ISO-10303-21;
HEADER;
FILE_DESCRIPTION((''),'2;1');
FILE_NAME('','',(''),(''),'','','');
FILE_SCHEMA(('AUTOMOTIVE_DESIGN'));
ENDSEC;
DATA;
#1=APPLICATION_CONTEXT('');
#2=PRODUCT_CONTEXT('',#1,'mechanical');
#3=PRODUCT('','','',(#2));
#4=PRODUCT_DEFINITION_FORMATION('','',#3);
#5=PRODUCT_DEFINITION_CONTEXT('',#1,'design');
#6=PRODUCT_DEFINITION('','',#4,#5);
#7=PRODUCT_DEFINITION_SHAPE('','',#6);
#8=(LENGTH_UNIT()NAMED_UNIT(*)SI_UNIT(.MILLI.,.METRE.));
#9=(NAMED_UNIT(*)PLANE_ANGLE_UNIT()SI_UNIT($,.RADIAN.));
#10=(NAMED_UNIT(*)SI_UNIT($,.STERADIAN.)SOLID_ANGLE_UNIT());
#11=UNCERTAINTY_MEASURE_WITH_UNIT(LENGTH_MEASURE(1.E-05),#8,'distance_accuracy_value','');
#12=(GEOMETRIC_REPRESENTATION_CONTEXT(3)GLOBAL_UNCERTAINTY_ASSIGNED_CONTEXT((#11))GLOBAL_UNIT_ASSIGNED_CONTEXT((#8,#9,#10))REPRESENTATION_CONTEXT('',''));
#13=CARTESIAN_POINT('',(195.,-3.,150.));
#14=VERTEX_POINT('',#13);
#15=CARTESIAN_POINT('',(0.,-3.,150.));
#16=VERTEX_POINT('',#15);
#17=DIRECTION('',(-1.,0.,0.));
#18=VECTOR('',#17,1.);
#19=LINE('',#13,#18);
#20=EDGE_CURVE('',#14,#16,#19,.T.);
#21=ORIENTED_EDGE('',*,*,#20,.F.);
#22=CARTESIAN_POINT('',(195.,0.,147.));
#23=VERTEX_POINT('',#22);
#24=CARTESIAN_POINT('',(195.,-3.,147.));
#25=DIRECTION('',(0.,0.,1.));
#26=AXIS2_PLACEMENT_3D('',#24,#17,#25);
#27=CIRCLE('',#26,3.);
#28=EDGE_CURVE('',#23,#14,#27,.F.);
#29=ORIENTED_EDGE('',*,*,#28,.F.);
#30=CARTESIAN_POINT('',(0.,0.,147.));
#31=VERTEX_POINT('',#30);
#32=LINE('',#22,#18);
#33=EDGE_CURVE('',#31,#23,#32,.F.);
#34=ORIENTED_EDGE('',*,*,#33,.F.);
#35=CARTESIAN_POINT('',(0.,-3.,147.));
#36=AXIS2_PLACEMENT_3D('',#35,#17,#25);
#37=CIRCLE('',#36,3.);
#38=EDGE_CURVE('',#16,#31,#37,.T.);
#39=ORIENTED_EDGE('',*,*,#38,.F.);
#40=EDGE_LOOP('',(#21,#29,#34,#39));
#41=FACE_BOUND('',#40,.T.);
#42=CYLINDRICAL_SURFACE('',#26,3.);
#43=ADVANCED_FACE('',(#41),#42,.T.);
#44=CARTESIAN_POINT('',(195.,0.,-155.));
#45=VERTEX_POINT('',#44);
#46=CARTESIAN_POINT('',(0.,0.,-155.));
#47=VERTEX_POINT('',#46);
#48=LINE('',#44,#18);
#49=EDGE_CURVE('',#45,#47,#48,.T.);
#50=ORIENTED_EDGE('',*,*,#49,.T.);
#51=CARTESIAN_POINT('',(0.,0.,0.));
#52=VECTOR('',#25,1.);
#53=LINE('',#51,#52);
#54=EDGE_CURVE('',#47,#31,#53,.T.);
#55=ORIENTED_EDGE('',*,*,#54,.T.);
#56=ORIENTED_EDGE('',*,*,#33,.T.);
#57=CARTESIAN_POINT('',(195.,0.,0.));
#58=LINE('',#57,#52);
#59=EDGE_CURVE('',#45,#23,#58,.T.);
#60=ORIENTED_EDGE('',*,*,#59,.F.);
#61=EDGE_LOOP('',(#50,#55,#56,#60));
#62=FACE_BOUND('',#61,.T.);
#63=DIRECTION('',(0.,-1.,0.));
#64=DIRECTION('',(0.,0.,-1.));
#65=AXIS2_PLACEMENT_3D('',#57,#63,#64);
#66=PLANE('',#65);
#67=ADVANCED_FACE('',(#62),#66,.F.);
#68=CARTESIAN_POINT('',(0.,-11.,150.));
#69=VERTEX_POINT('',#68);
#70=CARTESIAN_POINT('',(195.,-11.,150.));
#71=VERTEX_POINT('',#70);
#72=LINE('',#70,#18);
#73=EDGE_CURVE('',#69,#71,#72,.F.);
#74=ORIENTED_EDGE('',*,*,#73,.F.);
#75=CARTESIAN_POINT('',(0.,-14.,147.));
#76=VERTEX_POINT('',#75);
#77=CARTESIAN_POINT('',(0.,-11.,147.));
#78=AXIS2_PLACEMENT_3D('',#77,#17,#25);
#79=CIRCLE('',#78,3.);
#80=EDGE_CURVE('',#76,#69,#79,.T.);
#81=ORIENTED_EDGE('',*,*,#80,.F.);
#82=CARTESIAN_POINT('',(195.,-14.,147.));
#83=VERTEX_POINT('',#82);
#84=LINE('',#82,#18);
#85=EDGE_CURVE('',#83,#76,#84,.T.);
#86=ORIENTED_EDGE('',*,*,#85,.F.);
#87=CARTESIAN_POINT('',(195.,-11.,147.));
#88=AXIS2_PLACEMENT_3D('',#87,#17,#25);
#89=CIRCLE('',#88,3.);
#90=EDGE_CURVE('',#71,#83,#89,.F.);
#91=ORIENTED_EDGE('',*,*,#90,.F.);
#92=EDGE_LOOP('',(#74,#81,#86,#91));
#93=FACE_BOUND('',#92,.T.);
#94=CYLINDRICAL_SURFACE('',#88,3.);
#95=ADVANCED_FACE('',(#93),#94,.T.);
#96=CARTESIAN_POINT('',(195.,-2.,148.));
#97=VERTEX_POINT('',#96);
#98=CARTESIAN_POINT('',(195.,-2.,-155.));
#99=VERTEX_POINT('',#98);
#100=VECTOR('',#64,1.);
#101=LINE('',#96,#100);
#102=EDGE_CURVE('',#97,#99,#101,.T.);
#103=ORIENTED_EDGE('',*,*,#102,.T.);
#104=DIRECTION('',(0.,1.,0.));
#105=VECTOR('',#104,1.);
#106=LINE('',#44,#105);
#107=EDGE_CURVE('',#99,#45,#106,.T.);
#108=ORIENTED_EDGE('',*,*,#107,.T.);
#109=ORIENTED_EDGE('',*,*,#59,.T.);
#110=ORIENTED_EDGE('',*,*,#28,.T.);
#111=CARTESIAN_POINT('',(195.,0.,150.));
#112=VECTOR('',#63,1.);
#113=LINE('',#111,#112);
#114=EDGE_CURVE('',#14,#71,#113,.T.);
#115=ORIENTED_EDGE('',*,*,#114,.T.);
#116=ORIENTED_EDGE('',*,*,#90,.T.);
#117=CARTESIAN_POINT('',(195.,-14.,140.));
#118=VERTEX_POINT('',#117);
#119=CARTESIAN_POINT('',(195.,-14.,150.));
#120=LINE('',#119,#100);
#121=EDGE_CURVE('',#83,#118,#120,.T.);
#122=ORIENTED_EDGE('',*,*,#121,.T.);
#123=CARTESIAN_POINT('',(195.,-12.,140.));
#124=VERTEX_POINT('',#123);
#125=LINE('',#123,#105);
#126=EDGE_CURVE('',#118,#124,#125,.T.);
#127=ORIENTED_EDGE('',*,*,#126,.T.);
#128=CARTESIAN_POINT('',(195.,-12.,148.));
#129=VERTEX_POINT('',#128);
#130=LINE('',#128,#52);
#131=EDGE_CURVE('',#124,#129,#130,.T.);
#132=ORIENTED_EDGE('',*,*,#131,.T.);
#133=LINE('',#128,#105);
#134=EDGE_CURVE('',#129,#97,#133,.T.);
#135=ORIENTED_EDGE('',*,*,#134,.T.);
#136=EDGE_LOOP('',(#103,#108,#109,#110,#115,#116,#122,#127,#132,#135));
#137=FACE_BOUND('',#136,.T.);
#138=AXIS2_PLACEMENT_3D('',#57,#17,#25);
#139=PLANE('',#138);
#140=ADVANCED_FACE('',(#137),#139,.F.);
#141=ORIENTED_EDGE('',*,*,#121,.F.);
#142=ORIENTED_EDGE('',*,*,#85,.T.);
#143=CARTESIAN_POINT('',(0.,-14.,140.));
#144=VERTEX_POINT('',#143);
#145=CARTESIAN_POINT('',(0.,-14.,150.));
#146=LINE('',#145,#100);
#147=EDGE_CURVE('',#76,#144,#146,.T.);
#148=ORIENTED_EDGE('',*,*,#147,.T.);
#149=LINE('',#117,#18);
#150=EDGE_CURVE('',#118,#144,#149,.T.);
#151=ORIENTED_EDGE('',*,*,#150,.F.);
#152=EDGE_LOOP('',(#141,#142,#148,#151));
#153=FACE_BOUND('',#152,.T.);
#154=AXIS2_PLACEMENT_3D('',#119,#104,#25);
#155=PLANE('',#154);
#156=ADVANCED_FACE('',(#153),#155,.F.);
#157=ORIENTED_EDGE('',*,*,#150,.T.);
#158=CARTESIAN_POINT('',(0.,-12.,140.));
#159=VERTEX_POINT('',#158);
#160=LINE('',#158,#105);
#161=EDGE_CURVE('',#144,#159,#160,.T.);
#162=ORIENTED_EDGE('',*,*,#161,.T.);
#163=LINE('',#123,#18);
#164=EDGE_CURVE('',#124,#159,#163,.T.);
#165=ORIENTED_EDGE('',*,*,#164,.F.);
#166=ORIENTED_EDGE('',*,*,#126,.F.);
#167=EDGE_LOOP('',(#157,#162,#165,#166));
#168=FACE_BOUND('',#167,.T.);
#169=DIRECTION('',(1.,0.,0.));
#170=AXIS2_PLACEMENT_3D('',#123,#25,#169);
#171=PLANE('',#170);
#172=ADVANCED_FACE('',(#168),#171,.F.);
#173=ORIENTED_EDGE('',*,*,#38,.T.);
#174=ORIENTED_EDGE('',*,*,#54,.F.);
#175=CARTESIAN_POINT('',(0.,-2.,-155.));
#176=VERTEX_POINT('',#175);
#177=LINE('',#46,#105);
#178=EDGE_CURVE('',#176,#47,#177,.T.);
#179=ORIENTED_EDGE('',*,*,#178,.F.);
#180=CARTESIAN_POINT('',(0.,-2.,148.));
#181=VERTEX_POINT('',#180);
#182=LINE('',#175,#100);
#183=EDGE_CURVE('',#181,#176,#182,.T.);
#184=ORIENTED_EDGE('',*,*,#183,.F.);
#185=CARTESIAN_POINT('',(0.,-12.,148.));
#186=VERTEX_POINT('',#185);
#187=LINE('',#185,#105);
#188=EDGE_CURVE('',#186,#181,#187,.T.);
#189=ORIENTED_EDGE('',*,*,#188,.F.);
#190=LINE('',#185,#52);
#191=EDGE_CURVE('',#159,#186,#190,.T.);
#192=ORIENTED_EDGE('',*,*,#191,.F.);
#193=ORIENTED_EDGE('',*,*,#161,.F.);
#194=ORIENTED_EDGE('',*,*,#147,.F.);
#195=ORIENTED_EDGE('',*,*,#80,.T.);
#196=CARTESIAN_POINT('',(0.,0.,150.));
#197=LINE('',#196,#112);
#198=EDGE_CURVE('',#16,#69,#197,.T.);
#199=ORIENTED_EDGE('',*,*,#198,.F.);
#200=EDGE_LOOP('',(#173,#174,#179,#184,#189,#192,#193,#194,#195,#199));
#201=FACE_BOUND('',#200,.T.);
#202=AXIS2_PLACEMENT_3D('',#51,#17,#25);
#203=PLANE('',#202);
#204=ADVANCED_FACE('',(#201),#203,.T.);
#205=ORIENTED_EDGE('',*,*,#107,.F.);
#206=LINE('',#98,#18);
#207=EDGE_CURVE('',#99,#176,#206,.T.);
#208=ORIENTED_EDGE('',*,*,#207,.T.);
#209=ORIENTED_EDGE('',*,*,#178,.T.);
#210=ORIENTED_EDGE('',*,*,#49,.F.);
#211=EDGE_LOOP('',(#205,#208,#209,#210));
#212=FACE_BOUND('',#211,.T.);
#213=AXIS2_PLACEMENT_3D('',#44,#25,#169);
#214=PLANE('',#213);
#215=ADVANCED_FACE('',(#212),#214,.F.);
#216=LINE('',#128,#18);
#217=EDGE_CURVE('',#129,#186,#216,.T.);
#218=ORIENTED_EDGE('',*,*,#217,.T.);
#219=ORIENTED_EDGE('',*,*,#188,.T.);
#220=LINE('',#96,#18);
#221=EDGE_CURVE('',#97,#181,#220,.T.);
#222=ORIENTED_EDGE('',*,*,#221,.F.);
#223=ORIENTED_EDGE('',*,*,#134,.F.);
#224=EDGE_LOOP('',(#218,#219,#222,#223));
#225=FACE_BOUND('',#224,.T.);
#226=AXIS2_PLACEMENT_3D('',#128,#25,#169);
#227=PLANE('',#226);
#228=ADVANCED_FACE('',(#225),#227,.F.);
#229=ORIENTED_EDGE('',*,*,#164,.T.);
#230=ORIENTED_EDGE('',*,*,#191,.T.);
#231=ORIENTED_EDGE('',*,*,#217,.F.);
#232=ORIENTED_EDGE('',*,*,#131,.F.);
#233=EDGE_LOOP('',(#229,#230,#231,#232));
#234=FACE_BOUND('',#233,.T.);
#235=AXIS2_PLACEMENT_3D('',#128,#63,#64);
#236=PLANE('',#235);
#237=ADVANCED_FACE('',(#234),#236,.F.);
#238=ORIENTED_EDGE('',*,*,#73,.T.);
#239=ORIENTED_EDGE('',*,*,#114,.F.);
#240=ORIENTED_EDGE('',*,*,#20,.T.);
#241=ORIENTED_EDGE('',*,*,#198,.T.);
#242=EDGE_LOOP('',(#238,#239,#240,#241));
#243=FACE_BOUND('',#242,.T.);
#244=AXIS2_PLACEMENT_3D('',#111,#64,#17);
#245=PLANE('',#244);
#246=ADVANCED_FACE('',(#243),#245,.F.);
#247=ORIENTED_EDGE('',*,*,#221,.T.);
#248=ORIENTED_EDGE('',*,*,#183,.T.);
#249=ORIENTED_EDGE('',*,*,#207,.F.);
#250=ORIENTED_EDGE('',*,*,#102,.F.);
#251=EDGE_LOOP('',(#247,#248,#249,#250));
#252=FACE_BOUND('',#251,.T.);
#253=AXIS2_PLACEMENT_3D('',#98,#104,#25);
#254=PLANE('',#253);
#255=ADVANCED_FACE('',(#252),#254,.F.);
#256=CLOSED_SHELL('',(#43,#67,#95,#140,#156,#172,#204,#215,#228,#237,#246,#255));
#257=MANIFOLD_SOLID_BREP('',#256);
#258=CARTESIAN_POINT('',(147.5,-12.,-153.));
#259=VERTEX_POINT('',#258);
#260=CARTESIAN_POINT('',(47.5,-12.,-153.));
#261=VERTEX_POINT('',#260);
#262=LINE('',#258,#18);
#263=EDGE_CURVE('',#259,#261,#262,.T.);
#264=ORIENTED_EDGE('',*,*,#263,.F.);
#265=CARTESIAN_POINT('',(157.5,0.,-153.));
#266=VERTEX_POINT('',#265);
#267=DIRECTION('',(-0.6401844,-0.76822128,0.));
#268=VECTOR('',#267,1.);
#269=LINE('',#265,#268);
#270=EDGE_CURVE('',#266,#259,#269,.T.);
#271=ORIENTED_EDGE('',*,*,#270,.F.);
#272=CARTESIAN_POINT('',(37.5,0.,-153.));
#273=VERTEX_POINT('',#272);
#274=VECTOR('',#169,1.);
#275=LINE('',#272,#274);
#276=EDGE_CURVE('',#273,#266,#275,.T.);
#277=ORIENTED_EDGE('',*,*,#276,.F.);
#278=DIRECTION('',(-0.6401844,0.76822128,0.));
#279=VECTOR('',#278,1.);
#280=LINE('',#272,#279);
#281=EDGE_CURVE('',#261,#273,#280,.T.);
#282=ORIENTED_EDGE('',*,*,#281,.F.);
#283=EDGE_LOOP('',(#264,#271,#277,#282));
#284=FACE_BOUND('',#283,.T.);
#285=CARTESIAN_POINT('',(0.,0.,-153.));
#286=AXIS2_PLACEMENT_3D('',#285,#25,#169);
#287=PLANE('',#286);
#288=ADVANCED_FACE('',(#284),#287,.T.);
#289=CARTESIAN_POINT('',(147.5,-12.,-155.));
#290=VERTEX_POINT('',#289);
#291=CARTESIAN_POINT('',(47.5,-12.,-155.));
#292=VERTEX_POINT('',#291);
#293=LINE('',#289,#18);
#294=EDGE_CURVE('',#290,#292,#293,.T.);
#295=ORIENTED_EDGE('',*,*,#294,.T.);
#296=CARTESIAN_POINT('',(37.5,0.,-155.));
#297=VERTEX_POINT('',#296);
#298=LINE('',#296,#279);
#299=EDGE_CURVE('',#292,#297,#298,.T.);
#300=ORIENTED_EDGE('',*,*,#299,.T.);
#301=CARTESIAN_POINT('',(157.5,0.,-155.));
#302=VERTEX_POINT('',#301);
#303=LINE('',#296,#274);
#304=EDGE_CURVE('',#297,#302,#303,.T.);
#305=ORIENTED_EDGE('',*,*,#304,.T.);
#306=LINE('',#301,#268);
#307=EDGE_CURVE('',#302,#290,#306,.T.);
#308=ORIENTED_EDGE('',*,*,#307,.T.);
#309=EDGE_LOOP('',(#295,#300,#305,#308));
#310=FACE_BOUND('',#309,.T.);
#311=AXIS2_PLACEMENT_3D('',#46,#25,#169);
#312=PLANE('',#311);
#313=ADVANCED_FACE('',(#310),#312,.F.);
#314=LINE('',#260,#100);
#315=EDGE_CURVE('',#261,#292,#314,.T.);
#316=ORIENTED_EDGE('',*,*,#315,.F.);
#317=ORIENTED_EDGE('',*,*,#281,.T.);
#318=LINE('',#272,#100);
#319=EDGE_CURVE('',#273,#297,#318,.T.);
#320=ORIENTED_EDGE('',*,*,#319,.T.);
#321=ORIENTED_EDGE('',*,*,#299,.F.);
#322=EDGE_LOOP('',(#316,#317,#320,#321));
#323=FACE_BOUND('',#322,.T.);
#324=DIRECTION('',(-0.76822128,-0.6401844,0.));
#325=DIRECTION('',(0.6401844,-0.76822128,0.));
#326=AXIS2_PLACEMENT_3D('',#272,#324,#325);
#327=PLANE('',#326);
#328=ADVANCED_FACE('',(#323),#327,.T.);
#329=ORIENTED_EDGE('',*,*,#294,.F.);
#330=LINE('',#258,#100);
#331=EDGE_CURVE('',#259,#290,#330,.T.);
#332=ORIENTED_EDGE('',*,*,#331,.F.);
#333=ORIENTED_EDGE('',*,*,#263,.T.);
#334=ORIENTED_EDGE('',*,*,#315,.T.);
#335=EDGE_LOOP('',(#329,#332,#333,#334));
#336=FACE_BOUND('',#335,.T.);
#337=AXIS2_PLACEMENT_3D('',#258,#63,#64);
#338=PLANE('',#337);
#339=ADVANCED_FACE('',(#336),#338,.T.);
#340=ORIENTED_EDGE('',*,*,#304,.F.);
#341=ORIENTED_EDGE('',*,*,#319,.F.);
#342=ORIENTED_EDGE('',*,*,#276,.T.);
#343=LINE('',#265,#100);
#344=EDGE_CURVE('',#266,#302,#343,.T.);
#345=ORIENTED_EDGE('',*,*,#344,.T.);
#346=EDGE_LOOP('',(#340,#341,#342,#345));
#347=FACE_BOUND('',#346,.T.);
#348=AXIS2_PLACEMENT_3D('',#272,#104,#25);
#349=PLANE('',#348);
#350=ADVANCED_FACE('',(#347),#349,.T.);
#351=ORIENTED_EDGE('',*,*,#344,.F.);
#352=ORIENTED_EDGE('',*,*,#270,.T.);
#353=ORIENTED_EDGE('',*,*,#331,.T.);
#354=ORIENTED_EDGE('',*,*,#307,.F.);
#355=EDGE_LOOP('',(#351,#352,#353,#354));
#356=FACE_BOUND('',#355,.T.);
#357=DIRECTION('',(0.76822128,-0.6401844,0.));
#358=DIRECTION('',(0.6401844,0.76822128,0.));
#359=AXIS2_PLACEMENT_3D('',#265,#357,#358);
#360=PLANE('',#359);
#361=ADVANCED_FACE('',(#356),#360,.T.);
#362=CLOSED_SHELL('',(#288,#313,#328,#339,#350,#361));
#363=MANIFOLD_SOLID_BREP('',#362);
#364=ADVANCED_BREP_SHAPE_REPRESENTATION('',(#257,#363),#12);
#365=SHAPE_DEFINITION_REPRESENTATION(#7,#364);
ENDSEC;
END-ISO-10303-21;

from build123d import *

# Parameters (mm, degrees)
RESSALTO_EXTRUS_O1_DEPTH = 195
RESSALTO_EXTRUS_O2_DEPTH = 2
FILETE1_R                = 3


with BuildPart() as part:
    # Esboço1 → Ressalto-extrusão1 (new body)
    with BuildSketch(Plane(origin=(0, 0, 0), x_dir=(0, 0, -1), z_dir=(1, 0, 0))):
        Polygon((0, 0), (-150, 0), (-150, -14), (-140, -14), (-140, -12), (-148, -12), (-148, -2), (0, -2), (155, -2), (155, 0), align=None)
    extrude(amount=RESSALTO_EXTRUS_O1_DEPTH)

    # Filete1
    filete1_edges = [part.edges().sort_by_distance(p)[0] for p in [
        (97.5, -14, 150),
        (97.5, 0, 150),
    ]]
    fillet(filete1_edges, radius=FILETE1_R)


with BuildPart() as body_2:
    # Esboço2 → Ressalto-extrusão2 (new body)
    with BuildSketch(Plane(origin=(0, 0, -155), x_dir=(-1, 0, 0), z_dir=(0, 0, -1))):
        Polygon((-37.5, 0), (-157.5, 0), (-147.5, -12), (-47.5, -12), align=None)
    extrude(amount=-RESSALTO_EXTRUS_O2_DEPTH)


solid = Compound([part.part, body_2.part])
